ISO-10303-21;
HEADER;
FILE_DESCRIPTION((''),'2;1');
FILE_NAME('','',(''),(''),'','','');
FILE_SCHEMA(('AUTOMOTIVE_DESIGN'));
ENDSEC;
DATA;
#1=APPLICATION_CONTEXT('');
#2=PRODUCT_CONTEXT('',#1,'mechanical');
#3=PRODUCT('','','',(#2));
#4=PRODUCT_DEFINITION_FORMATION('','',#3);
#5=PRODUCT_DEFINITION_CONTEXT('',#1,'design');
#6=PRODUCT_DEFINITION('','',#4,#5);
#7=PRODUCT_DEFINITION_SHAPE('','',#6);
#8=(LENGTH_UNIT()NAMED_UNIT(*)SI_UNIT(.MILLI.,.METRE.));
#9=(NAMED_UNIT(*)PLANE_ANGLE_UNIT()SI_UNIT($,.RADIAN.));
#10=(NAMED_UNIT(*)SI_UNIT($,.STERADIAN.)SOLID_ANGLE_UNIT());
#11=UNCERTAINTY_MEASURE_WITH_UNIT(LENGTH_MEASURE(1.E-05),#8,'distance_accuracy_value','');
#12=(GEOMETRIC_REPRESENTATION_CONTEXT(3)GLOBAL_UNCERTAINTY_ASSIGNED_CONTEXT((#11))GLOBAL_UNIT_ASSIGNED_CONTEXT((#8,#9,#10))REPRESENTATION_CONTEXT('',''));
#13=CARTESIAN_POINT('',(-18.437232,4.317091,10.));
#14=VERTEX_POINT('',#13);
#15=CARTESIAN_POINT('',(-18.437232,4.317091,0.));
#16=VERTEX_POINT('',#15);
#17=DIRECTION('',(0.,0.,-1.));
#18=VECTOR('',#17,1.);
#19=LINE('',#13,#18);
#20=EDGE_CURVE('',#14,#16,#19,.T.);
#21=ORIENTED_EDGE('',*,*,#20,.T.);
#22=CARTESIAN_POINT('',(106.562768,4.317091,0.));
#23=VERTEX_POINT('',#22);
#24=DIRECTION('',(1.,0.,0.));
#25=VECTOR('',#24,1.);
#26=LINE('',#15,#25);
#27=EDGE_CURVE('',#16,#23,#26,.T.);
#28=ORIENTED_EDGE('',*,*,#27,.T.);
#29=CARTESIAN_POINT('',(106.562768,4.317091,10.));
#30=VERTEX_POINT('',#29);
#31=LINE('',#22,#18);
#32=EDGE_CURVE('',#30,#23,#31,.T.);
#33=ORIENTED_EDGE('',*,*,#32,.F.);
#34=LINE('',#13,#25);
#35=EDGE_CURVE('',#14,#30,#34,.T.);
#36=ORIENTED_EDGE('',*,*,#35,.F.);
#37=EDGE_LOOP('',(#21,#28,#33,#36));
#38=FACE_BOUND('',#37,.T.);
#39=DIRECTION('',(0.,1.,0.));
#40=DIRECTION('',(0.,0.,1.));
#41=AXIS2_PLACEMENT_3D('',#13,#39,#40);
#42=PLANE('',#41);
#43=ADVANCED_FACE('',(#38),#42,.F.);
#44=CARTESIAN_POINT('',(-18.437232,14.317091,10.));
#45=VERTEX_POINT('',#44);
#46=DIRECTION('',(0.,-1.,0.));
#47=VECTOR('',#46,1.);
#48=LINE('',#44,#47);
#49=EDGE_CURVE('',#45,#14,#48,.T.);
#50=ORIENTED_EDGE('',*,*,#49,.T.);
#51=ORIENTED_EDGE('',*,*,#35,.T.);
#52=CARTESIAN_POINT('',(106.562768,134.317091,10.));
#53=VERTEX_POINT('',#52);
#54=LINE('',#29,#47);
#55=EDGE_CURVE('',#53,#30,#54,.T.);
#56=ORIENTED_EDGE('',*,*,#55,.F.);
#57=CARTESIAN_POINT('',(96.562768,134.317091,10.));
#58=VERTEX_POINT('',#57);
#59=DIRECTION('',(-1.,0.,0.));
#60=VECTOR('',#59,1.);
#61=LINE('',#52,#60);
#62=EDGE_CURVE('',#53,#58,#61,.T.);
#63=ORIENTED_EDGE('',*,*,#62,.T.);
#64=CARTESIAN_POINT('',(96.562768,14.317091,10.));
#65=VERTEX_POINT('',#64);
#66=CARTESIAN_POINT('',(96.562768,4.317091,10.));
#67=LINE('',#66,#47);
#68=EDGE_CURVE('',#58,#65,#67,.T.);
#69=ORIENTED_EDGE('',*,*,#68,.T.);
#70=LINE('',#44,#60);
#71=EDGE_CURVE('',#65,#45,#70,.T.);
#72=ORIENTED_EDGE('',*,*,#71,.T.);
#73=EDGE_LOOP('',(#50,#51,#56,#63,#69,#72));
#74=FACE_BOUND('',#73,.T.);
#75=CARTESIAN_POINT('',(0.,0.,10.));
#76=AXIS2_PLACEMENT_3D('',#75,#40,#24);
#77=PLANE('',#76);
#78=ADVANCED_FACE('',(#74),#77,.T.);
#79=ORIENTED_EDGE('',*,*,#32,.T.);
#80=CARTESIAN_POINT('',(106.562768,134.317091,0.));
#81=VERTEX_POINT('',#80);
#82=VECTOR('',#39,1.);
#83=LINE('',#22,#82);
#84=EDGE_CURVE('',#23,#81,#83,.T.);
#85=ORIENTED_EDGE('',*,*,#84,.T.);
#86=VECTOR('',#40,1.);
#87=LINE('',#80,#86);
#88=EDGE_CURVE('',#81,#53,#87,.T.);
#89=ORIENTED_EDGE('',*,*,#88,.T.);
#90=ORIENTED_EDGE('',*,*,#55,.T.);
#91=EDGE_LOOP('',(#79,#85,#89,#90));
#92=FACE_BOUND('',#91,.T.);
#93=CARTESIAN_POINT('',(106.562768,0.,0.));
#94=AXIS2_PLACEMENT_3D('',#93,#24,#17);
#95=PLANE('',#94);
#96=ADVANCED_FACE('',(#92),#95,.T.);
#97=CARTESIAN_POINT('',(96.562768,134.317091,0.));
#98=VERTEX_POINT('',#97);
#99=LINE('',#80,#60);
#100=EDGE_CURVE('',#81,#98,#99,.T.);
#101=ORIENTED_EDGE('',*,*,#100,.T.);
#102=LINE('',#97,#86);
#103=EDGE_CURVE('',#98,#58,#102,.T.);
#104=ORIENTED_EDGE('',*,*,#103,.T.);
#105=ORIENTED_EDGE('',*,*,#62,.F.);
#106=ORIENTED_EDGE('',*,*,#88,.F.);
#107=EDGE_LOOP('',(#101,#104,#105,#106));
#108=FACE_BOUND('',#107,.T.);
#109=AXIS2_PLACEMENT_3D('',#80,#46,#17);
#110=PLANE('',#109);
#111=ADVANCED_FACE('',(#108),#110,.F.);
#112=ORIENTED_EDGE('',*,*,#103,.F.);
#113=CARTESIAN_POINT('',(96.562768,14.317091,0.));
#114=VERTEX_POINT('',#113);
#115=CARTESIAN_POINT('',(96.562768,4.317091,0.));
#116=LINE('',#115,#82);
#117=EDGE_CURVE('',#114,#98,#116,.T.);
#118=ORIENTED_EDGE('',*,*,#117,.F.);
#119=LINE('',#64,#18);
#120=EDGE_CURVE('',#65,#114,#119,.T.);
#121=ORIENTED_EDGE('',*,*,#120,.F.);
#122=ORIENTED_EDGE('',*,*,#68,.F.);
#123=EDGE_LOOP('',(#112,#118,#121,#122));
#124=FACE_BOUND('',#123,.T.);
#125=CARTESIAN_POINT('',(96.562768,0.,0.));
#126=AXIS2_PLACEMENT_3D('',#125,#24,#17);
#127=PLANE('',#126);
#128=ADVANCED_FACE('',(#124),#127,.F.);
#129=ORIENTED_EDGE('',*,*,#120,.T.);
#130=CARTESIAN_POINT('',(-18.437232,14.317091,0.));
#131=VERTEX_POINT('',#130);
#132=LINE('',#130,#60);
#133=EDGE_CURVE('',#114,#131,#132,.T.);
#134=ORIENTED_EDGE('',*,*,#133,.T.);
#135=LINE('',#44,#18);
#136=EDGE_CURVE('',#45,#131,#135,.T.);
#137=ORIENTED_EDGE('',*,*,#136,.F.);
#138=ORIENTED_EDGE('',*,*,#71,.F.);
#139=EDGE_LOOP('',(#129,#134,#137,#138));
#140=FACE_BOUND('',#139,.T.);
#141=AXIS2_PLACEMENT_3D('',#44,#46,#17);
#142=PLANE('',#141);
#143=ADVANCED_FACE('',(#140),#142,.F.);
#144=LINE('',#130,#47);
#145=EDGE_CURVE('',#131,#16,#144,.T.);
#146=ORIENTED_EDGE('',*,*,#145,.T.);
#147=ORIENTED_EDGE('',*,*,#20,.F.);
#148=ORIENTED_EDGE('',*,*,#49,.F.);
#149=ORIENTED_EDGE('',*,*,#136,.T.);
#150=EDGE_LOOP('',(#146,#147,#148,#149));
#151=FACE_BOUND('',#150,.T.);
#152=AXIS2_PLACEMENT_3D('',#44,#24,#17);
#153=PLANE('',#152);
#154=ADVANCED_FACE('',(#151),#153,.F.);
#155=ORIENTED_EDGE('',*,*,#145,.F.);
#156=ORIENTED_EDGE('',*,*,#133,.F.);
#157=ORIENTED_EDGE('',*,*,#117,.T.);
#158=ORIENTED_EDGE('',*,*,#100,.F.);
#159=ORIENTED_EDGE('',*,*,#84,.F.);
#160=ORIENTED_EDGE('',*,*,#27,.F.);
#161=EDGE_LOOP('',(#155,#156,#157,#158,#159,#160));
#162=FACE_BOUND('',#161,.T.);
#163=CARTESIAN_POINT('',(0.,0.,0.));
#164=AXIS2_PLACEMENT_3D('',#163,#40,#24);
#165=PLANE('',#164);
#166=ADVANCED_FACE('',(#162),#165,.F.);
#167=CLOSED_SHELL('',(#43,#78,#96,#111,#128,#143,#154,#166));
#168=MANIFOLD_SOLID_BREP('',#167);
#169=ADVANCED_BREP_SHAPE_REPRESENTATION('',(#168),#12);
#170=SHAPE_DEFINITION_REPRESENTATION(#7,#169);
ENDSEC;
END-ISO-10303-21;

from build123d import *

# Parameters (mm, degrees)
ESQUISSE1_W        = 115
ESQUISSE1_H        = 10
BOSS_EXTRU_1_DEPTH = 10
ESQUISSE2_W        = 10
ESQUISSE2_H        = 130
BOSS_EXTRU_2_DEPTH = 10


with BuildPart() as part:
    # Esquisse1 → Boss.-Extru.1 (new body)
    with BuildSketch(Plane.XY):
        with Locations((39.062768353, 9.317091479)):
            Rectangle(ESQUISSE1_W, ESQUISSE1_H)
    extrude(amount=BOSS_EXTRU_1_DEPTH)

    # Esquisse2 → Boss.-Extru.2 (add)
    with BuildSketch(Plane(origin=(96.562768353, 0, 0), x_dir=(0, 0, -1), z_dir=(1, 0, 0))):
        with Locations((-5, 69.317091479)):
            Rectangle(ESQUISSE2_W, ESQUISSE2_H)
    extrude(amount=BOSS_EXTRU_2_DEPTH)


solid = part.part
